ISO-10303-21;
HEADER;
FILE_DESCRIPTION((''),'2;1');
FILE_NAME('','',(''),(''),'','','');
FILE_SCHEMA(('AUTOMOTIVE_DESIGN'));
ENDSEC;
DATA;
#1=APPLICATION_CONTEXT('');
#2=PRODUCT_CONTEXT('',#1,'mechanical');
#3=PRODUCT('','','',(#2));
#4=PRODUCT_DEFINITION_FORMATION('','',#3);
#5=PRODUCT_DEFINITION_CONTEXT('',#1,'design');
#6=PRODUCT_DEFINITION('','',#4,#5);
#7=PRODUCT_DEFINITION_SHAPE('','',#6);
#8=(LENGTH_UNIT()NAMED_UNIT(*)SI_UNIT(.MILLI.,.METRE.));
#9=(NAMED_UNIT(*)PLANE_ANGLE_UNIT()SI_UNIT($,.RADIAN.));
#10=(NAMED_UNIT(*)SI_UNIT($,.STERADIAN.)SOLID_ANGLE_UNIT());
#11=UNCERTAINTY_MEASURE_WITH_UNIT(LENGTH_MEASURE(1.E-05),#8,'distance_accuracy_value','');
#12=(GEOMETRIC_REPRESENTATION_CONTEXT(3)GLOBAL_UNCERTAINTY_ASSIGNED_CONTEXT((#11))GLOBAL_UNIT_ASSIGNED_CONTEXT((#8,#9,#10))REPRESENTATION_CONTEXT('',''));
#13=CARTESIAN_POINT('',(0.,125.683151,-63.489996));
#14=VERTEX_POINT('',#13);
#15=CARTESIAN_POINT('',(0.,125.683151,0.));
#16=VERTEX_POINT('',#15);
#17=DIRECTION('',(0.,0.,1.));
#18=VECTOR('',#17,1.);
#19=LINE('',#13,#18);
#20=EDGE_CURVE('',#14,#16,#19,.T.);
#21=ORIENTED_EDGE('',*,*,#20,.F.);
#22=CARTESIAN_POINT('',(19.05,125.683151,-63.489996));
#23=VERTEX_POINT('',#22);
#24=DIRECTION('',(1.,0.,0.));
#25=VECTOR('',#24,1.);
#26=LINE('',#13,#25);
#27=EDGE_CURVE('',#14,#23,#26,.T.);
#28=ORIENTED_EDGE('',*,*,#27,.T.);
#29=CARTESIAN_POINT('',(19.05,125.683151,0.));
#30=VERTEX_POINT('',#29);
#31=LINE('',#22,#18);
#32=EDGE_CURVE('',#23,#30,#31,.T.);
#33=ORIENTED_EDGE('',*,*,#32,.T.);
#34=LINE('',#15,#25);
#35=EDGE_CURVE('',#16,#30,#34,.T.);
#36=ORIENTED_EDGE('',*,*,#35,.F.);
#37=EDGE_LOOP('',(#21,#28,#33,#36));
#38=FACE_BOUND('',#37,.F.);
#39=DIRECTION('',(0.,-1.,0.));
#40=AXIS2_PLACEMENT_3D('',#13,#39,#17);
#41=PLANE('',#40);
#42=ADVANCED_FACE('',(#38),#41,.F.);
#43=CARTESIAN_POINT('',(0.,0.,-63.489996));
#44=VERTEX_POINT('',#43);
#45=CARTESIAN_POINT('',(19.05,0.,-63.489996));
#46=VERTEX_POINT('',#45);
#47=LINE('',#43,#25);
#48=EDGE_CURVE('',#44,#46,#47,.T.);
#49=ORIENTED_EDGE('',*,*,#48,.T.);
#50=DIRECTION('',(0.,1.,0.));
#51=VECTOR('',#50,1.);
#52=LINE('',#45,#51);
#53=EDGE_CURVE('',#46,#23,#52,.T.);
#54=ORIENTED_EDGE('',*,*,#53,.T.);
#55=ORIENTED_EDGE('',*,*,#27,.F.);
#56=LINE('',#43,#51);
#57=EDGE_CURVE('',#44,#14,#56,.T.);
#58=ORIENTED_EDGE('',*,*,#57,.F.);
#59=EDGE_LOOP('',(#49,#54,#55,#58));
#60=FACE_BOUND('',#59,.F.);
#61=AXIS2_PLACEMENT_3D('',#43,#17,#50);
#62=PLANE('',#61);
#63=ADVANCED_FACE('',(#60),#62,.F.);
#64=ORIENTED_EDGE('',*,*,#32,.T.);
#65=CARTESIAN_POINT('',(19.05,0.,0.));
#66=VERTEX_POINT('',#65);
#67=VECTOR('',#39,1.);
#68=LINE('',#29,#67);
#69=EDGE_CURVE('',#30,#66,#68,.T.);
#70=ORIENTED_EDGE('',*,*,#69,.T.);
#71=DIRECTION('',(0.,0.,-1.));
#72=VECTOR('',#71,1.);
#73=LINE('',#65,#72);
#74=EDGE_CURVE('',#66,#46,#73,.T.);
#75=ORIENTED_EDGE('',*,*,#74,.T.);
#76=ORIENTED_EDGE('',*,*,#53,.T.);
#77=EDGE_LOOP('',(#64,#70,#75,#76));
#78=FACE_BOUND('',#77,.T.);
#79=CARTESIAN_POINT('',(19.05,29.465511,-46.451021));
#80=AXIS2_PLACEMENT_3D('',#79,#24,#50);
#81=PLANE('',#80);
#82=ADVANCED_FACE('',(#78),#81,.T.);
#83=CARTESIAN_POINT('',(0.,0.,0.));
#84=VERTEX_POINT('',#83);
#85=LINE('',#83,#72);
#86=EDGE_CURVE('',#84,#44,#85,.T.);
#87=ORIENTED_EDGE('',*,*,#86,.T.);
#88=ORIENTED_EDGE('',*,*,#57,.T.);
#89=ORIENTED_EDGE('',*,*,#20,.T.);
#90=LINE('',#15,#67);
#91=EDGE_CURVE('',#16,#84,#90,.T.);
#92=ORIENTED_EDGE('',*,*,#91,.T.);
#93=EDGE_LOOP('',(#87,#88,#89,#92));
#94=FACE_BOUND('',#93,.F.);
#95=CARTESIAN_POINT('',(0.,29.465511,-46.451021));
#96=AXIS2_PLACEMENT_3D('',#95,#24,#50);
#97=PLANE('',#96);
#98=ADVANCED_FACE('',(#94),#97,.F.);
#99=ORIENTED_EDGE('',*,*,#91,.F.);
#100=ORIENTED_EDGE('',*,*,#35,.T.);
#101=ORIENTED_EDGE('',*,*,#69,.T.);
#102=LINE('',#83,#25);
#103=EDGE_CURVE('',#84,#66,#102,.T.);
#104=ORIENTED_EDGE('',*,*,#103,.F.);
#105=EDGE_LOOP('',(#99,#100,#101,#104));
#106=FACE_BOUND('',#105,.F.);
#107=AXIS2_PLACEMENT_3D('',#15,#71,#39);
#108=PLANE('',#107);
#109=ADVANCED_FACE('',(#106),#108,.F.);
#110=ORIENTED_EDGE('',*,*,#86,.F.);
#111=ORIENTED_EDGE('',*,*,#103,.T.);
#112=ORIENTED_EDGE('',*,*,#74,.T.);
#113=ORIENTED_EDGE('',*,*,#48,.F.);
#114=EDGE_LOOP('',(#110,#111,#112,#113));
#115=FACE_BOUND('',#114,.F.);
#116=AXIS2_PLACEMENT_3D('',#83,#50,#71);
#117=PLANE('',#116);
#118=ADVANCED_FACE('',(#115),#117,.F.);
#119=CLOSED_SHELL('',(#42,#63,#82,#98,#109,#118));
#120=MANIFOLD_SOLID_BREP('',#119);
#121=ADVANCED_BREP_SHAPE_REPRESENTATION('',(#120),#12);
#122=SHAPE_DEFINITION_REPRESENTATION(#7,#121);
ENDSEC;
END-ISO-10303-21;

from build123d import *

# Parameters (mm, degrees)
F0_W     = 58.9310228825
F0_H     = 34.0779498219
F1_DEPTH = 19.05


with BuildPart() as f1:
    # F0 (on Right) → F1 (new body)
    with BuildSketch(Plane.YZ):
        with Locations((29.4655114412, -46.4510209858)):
            Rectangle(F0_W, F0_H)
        Polygon((0, 0), (0, -29.4120460749), (58.9310228825, -29.4120460749), (125.6831511855, -29.4120460749), (125.6831511855, 0), align=None)
        Polygon((58.9310228825, -29.4120460749), (58.9310228825, -63.4899958968), (74.8201161623, -63.4899958968), (125.6831511855, -63.4899958968), (125.6831511855, -29.4120460749), align=None)
    extrude(amount=F1_DEPTH)


solid = f1.part
